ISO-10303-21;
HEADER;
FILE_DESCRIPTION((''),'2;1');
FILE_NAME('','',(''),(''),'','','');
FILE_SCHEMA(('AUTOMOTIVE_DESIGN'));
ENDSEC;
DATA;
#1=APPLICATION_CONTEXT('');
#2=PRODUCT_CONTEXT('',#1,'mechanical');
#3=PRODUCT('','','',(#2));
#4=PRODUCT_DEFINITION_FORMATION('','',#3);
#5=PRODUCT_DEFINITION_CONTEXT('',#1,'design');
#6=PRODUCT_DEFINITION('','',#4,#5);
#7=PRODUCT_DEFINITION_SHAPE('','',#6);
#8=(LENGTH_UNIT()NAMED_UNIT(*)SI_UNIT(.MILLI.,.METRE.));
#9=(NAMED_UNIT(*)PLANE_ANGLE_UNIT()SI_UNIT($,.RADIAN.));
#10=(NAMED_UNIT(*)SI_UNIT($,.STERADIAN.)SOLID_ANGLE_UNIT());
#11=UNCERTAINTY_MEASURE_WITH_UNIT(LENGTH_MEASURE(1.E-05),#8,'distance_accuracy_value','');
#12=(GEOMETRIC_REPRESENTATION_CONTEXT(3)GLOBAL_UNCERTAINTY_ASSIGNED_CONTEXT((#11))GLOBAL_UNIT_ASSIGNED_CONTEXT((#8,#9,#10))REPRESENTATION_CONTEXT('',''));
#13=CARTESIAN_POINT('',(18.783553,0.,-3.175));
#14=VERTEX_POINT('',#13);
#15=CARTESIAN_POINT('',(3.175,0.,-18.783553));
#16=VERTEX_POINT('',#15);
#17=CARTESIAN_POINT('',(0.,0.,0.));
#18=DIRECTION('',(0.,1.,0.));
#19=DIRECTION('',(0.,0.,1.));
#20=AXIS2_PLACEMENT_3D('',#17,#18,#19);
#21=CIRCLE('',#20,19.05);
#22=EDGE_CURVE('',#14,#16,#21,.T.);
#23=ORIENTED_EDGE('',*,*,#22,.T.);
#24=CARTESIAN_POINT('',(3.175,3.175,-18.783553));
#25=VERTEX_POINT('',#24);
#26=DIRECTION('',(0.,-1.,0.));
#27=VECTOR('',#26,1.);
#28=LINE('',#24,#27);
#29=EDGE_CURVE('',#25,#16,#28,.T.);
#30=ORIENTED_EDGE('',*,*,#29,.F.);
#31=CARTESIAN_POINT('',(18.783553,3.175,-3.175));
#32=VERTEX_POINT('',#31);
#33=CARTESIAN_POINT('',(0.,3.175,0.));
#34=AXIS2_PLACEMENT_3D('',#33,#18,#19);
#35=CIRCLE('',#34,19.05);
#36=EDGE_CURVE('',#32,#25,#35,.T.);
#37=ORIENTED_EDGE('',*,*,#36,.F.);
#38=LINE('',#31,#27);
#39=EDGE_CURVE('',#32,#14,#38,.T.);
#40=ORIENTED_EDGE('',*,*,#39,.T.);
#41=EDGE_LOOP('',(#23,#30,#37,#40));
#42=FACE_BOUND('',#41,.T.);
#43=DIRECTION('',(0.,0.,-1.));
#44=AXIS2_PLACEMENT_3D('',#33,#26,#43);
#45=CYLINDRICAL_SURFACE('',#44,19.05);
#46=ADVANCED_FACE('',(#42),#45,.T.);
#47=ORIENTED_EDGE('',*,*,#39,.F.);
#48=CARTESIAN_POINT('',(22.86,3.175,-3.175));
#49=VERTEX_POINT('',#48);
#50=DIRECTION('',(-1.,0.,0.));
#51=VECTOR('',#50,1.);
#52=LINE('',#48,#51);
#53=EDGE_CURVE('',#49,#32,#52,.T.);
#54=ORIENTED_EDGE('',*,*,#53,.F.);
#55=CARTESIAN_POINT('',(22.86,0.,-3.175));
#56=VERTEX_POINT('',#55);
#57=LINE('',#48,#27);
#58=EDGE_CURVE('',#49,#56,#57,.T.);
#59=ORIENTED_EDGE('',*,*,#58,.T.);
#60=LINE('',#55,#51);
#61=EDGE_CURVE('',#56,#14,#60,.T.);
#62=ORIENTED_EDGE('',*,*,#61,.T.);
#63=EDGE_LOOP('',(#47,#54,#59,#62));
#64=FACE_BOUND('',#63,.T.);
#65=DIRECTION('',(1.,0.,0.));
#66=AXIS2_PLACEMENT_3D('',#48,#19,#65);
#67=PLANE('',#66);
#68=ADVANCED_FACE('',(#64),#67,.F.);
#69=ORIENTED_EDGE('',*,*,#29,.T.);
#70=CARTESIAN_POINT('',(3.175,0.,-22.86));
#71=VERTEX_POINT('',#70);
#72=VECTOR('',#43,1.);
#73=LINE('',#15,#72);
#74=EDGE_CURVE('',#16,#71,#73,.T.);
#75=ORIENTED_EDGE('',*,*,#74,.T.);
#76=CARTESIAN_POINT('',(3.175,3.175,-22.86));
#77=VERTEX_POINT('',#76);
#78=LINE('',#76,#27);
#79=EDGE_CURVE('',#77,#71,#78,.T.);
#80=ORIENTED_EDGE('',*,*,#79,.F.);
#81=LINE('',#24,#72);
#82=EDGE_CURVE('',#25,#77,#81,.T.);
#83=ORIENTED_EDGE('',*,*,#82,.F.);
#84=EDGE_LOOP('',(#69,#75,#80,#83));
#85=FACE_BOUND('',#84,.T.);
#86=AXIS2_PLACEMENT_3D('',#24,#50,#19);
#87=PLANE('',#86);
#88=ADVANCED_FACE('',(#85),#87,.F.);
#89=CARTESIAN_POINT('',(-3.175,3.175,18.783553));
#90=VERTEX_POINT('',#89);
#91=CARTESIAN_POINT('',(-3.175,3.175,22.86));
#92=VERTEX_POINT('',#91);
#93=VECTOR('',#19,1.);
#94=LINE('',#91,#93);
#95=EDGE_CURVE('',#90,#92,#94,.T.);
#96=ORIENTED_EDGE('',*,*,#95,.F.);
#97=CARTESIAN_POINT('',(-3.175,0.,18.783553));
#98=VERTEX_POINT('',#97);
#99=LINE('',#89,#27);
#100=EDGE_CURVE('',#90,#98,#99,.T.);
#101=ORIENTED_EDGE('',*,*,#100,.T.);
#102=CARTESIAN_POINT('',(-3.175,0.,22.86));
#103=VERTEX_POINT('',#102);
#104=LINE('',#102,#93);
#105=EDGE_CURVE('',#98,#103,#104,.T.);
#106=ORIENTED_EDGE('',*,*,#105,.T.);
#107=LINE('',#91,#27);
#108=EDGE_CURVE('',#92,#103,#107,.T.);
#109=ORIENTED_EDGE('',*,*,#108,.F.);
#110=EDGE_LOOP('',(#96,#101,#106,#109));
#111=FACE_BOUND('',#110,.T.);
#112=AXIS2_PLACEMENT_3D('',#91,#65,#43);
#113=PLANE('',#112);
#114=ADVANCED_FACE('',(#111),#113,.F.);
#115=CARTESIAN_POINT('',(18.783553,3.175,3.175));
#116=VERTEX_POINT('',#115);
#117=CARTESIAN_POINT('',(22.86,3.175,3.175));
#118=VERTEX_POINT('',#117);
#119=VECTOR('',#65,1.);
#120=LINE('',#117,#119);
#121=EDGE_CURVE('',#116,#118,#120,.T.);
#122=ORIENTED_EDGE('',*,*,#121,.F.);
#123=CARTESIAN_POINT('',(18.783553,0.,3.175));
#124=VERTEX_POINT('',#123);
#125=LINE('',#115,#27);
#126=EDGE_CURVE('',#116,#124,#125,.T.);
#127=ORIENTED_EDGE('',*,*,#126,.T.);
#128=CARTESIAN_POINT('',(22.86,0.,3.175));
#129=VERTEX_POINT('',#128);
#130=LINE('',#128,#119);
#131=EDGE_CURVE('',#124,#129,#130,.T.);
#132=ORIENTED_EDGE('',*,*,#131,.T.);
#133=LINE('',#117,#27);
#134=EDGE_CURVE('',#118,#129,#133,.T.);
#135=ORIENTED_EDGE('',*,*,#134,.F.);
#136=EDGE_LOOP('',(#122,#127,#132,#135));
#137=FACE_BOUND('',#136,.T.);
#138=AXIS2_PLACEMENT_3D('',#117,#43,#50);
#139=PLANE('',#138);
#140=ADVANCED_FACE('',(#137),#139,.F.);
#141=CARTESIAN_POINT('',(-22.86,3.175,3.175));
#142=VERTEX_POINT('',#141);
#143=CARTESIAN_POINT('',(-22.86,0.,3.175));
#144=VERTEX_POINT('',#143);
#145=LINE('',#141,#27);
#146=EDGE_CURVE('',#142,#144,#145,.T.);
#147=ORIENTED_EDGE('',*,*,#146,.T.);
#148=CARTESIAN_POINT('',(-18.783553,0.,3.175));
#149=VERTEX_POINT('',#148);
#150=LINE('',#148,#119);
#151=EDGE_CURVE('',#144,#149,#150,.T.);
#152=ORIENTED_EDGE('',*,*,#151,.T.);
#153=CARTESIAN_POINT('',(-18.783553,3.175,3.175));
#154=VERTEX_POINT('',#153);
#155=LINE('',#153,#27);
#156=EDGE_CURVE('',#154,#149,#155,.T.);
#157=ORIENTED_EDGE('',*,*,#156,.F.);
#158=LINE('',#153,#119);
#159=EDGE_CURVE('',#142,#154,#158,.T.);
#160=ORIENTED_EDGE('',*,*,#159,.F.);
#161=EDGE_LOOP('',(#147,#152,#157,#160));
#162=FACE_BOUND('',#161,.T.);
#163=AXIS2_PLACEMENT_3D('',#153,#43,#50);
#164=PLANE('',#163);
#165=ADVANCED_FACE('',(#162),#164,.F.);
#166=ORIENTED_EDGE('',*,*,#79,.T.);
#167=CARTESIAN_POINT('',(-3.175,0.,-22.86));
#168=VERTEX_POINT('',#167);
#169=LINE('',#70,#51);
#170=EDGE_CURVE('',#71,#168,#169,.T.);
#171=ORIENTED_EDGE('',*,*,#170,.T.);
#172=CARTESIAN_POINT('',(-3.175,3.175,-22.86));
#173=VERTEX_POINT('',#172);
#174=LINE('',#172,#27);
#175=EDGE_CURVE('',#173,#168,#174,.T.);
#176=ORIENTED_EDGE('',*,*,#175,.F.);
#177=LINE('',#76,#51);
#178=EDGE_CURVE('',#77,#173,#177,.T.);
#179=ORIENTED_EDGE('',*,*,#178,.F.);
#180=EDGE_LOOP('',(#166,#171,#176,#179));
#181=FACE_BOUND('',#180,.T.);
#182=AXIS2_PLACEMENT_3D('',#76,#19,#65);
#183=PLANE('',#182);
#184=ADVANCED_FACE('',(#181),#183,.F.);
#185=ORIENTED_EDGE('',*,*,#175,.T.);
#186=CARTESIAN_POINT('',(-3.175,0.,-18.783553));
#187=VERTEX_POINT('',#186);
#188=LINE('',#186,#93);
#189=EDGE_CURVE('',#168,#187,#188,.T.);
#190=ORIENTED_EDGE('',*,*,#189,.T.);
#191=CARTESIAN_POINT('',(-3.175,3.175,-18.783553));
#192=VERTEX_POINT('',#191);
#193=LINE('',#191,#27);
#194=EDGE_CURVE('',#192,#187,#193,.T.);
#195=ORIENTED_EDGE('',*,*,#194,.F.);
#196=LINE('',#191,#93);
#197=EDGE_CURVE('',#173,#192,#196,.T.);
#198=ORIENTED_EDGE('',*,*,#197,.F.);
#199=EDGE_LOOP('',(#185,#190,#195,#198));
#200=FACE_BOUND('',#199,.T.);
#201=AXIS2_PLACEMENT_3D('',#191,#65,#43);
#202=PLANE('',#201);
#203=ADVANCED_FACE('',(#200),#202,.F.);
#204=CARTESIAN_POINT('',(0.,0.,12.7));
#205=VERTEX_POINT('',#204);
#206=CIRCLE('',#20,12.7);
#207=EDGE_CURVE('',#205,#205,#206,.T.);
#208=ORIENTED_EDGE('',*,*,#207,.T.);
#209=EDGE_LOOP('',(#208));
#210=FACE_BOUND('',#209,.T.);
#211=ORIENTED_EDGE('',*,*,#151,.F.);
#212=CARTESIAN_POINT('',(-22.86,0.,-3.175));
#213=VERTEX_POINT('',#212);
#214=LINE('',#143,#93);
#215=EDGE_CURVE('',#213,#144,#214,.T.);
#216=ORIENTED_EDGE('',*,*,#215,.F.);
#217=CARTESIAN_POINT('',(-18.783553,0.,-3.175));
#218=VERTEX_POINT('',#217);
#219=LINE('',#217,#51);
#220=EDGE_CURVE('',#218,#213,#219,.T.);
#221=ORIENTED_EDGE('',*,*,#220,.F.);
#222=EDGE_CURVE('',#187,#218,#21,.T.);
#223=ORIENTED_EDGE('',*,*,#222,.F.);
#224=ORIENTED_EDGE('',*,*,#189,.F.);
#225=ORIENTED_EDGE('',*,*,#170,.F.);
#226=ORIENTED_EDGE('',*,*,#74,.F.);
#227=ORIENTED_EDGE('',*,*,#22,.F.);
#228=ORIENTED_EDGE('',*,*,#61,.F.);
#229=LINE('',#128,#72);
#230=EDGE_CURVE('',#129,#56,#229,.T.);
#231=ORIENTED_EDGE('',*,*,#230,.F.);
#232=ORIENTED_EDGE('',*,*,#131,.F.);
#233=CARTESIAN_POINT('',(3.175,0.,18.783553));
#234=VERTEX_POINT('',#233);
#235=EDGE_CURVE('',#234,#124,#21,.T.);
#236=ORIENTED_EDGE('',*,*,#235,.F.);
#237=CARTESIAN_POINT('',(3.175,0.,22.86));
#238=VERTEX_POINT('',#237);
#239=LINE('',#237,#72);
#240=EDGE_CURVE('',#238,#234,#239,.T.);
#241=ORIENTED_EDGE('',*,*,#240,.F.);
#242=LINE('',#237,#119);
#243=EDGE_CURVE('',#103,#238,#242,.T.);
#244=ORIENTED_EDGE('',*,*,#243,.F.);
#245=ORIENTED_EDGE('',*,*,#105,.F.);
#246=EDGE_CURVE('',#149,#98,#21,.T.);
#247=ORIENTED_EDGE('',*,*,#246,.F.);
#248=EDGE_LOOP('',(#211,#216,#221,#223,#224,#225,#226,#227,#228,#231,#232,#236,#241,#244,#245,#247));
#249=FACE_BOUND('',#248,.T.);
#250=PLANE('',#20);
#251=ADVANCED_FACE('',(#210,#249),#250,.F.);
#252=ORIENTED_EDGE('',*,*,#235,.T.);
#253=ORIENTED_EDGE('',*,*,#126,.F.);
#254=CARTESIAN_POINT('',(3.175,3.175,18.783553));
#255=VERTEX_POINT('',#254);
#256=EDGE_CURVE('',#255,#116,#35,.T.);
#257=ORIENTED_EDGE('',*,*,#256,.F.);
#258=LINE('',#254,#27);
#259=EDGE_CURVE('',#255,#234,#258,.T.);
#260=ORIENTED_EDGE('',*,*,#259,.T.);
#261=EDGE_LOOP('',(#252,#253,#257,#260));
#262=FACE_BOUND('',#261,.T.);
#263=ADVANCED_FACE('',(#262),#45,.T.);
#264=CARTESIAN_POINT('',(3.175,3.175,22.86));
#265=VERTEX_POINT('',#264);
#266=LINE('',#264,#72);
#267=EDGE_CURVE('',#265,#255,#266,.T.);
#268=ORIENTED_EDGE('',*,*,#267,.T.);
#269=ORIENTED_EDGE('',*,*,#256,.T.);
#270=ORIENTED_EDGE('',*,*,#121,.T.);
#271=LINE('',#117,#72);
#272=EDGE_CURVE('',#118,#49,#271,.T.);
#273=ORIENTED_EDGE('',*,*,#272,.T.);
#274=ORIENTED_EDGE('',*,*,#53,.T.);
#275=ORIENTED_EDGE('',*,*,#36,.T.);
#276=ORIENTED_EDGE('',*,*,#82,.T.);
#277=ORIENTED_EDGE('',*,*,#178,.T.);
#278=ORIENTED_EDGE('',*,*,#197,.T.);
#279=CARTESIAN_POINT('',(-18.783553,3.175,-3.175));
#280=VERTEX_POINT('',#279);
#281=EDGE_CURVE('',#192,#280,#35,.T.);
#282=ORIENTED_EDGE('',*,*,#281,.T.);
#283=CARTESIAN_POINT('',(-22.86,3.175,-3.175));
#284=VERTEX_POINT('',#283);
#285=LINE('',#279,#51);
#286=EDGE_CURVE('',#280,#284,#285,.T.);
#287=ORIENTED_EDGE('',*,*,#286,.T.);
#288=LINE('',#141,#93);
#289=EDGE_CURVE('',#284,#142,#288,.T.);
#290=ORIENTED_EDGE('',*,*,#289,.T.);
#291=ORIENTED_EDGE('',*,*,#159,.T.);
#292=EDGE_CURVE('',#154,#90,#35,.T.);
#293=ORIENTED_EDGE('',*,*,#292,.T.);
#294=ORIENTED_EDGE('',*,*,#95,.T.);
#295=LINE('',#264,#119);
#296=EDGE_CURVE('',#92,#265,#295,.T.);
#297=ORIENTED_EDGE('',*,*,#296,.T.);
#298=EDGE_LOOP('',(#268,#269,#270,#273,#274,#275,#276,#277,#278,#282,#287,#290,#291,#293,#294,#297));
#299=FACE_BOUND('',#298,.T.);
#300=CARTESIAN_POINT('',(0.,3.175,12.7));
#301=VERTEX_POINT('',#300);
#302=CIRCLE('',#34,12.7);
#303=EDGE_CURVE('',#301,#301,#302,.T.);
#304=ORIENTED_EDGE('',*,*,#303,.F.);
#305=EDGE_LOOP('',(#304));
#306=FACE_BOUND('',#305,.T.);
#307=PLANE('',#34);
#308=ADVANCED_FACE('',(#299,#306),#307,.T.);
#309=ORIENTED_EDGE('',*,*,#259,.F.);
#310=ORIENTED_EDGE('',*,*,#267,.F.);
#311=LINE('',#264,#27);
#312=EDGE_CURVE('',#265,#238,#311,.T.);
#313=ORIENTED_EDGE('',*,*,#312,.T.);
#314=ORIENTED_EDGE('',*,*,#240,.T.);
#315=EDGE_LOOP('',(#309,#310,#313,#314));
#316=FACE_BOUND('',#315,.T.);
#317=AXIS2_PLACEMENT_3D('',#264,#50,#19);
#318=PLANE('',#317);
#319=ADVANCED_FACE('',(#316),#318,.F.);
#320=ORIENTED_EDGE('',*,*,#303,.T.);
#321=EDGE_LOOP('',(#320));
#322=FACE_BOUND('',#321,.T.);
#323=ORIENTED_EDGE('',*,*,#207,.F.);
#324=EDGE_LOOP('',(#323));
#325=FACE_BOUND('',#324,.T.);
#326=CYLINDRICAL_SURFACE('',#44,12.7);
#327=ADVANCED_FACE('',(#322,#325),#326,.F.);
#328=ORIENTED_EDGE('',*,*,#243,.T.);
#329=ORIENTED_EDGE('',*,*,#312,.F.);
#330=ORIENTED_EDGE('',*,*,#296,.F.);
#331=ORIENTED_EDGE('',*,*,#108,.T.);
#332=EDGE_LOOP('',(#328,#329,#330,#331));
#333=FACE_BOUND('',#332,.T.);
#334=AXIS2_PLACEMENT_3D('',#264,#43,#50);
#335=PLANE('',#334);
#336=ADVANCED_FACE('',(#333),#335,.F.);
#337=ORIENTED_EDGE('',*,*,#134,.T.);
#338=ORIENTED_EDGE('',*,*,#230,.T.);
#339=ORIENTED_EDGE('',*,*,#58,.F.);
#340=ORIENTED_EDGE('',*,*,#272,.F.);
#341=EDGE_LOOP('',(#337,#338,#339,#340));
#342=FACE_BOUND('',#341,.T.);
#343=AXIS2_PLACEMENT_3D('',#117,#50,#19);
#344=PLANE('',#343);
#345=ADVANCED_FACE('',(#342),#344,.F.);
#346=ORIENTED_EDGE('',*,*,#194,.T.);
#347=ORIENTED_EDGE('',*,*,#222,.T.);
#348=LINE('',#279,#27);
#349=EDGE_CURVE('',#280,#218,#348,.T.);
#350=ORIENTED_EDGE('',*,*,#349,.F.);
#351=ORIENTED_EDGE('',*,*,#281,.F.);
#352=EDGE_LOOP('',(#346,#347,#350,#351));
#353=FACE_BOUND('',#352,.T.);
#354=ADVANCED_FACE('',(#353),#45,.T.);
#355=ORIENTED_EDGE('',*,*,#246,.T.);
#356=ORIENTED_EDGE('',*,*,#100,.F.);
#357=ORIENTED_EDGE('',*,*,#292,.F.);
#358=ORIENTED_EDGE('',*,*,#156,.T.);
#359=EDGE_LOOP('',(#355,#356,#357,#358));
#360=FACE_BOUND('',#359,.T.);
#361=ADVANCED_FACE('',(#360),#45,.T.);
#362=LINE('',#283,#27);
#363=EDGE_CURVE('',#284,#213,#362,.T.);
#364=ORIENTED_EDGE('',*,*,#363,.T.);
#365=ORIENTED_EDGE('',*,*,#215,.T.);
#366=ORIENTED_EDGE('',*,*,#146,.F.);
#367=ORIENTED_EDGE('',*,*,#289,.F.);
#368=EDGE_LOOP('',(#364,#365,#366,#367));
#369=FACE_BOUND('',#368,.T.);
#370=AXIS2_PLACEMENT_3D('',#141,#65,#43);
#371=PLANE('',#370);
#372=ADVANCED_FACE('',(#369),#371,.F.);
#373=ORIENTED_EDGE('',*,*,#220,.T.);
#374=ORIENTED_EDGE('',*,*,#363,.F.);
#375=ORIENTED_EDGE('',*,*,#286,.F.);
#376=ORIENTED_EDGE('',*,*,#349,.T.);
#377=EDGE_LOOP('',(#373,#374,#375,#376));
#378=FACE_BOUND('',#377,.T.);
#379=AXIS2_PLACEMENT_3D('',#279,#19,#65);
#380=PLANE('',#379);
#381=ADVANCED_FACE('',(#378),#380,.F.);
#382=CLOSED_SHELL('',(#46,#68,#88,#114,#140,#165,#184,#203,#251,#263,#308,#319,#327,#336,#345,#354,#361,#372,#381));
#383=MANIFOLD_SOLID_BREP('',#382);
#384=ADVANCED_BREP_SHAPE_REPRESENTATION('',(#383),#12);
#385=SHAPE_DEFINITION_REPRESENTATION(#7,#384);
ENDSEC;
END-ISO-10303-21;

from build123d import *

# Parameters (mm, degrees)
SKETCH1_R           = 12.7
BOSS_EXTRUDE1_DEPTH = 3.175


with BuildPart() as part:
    # Sketch1 → Boss-Extrude1 (new body)
    with BuildSketch(Plane(origin=(0, 0, 0), x_dir=(1, 0, 0), z_dir=(0, 1, 0))):
        with BuildLine():
            Line((-18.783553311, -3.175), (-22.86, -3.175))
            Line((-22.86, -3.175), (-22.86, 3.175))
            Line((-22.86, 3.175), (-18.783553311, 3.175))
            ThreePointArc((-18.783553311, 3.175), (-13.470384182, 13.470384182), (-3.175, 18.783553311))
            Line((-3.175, 18.783553311), (-3.175, 22.86))
            Line((-3.175, 22.86), (3.175, 22.86))
            Line((3.175, 22.86), (3.175, 18.783553311))
            ThreePointArc((3.175, 18.783553311), (13.470384182, 13.470384182), (18.783553311, 3.175))
            Line((18.783553311, 3.175), (22.86, 3.175))
            Line((22.86, 3.175), (22.86, -3.175))
            Line((22.86, -3.175), (18.783553311, -3.175))
            ThreePointArc((18.783553311, -3.175), (13.470384182, -13.470384182), (3.175, -18.783553311))
            Line((3.175, -18.783553311), (3.175, -22.86))
            Line((3.175, -22.86), (-3.175, -22.86))
            Line((-3.175, -22.86), (-3.175, -18.783553311))
            ThreePointArc((-3.175, -18.783553311), (-13.470384182, -13.470384182), (-18.783553311, -3.175))
        make_face()
        Circle(SKETCH1_R, mode=Mode.SUBTRACT)
    extrude(amount=BOSS_EXTRUDE1_DEPTH)


solid = part.part
